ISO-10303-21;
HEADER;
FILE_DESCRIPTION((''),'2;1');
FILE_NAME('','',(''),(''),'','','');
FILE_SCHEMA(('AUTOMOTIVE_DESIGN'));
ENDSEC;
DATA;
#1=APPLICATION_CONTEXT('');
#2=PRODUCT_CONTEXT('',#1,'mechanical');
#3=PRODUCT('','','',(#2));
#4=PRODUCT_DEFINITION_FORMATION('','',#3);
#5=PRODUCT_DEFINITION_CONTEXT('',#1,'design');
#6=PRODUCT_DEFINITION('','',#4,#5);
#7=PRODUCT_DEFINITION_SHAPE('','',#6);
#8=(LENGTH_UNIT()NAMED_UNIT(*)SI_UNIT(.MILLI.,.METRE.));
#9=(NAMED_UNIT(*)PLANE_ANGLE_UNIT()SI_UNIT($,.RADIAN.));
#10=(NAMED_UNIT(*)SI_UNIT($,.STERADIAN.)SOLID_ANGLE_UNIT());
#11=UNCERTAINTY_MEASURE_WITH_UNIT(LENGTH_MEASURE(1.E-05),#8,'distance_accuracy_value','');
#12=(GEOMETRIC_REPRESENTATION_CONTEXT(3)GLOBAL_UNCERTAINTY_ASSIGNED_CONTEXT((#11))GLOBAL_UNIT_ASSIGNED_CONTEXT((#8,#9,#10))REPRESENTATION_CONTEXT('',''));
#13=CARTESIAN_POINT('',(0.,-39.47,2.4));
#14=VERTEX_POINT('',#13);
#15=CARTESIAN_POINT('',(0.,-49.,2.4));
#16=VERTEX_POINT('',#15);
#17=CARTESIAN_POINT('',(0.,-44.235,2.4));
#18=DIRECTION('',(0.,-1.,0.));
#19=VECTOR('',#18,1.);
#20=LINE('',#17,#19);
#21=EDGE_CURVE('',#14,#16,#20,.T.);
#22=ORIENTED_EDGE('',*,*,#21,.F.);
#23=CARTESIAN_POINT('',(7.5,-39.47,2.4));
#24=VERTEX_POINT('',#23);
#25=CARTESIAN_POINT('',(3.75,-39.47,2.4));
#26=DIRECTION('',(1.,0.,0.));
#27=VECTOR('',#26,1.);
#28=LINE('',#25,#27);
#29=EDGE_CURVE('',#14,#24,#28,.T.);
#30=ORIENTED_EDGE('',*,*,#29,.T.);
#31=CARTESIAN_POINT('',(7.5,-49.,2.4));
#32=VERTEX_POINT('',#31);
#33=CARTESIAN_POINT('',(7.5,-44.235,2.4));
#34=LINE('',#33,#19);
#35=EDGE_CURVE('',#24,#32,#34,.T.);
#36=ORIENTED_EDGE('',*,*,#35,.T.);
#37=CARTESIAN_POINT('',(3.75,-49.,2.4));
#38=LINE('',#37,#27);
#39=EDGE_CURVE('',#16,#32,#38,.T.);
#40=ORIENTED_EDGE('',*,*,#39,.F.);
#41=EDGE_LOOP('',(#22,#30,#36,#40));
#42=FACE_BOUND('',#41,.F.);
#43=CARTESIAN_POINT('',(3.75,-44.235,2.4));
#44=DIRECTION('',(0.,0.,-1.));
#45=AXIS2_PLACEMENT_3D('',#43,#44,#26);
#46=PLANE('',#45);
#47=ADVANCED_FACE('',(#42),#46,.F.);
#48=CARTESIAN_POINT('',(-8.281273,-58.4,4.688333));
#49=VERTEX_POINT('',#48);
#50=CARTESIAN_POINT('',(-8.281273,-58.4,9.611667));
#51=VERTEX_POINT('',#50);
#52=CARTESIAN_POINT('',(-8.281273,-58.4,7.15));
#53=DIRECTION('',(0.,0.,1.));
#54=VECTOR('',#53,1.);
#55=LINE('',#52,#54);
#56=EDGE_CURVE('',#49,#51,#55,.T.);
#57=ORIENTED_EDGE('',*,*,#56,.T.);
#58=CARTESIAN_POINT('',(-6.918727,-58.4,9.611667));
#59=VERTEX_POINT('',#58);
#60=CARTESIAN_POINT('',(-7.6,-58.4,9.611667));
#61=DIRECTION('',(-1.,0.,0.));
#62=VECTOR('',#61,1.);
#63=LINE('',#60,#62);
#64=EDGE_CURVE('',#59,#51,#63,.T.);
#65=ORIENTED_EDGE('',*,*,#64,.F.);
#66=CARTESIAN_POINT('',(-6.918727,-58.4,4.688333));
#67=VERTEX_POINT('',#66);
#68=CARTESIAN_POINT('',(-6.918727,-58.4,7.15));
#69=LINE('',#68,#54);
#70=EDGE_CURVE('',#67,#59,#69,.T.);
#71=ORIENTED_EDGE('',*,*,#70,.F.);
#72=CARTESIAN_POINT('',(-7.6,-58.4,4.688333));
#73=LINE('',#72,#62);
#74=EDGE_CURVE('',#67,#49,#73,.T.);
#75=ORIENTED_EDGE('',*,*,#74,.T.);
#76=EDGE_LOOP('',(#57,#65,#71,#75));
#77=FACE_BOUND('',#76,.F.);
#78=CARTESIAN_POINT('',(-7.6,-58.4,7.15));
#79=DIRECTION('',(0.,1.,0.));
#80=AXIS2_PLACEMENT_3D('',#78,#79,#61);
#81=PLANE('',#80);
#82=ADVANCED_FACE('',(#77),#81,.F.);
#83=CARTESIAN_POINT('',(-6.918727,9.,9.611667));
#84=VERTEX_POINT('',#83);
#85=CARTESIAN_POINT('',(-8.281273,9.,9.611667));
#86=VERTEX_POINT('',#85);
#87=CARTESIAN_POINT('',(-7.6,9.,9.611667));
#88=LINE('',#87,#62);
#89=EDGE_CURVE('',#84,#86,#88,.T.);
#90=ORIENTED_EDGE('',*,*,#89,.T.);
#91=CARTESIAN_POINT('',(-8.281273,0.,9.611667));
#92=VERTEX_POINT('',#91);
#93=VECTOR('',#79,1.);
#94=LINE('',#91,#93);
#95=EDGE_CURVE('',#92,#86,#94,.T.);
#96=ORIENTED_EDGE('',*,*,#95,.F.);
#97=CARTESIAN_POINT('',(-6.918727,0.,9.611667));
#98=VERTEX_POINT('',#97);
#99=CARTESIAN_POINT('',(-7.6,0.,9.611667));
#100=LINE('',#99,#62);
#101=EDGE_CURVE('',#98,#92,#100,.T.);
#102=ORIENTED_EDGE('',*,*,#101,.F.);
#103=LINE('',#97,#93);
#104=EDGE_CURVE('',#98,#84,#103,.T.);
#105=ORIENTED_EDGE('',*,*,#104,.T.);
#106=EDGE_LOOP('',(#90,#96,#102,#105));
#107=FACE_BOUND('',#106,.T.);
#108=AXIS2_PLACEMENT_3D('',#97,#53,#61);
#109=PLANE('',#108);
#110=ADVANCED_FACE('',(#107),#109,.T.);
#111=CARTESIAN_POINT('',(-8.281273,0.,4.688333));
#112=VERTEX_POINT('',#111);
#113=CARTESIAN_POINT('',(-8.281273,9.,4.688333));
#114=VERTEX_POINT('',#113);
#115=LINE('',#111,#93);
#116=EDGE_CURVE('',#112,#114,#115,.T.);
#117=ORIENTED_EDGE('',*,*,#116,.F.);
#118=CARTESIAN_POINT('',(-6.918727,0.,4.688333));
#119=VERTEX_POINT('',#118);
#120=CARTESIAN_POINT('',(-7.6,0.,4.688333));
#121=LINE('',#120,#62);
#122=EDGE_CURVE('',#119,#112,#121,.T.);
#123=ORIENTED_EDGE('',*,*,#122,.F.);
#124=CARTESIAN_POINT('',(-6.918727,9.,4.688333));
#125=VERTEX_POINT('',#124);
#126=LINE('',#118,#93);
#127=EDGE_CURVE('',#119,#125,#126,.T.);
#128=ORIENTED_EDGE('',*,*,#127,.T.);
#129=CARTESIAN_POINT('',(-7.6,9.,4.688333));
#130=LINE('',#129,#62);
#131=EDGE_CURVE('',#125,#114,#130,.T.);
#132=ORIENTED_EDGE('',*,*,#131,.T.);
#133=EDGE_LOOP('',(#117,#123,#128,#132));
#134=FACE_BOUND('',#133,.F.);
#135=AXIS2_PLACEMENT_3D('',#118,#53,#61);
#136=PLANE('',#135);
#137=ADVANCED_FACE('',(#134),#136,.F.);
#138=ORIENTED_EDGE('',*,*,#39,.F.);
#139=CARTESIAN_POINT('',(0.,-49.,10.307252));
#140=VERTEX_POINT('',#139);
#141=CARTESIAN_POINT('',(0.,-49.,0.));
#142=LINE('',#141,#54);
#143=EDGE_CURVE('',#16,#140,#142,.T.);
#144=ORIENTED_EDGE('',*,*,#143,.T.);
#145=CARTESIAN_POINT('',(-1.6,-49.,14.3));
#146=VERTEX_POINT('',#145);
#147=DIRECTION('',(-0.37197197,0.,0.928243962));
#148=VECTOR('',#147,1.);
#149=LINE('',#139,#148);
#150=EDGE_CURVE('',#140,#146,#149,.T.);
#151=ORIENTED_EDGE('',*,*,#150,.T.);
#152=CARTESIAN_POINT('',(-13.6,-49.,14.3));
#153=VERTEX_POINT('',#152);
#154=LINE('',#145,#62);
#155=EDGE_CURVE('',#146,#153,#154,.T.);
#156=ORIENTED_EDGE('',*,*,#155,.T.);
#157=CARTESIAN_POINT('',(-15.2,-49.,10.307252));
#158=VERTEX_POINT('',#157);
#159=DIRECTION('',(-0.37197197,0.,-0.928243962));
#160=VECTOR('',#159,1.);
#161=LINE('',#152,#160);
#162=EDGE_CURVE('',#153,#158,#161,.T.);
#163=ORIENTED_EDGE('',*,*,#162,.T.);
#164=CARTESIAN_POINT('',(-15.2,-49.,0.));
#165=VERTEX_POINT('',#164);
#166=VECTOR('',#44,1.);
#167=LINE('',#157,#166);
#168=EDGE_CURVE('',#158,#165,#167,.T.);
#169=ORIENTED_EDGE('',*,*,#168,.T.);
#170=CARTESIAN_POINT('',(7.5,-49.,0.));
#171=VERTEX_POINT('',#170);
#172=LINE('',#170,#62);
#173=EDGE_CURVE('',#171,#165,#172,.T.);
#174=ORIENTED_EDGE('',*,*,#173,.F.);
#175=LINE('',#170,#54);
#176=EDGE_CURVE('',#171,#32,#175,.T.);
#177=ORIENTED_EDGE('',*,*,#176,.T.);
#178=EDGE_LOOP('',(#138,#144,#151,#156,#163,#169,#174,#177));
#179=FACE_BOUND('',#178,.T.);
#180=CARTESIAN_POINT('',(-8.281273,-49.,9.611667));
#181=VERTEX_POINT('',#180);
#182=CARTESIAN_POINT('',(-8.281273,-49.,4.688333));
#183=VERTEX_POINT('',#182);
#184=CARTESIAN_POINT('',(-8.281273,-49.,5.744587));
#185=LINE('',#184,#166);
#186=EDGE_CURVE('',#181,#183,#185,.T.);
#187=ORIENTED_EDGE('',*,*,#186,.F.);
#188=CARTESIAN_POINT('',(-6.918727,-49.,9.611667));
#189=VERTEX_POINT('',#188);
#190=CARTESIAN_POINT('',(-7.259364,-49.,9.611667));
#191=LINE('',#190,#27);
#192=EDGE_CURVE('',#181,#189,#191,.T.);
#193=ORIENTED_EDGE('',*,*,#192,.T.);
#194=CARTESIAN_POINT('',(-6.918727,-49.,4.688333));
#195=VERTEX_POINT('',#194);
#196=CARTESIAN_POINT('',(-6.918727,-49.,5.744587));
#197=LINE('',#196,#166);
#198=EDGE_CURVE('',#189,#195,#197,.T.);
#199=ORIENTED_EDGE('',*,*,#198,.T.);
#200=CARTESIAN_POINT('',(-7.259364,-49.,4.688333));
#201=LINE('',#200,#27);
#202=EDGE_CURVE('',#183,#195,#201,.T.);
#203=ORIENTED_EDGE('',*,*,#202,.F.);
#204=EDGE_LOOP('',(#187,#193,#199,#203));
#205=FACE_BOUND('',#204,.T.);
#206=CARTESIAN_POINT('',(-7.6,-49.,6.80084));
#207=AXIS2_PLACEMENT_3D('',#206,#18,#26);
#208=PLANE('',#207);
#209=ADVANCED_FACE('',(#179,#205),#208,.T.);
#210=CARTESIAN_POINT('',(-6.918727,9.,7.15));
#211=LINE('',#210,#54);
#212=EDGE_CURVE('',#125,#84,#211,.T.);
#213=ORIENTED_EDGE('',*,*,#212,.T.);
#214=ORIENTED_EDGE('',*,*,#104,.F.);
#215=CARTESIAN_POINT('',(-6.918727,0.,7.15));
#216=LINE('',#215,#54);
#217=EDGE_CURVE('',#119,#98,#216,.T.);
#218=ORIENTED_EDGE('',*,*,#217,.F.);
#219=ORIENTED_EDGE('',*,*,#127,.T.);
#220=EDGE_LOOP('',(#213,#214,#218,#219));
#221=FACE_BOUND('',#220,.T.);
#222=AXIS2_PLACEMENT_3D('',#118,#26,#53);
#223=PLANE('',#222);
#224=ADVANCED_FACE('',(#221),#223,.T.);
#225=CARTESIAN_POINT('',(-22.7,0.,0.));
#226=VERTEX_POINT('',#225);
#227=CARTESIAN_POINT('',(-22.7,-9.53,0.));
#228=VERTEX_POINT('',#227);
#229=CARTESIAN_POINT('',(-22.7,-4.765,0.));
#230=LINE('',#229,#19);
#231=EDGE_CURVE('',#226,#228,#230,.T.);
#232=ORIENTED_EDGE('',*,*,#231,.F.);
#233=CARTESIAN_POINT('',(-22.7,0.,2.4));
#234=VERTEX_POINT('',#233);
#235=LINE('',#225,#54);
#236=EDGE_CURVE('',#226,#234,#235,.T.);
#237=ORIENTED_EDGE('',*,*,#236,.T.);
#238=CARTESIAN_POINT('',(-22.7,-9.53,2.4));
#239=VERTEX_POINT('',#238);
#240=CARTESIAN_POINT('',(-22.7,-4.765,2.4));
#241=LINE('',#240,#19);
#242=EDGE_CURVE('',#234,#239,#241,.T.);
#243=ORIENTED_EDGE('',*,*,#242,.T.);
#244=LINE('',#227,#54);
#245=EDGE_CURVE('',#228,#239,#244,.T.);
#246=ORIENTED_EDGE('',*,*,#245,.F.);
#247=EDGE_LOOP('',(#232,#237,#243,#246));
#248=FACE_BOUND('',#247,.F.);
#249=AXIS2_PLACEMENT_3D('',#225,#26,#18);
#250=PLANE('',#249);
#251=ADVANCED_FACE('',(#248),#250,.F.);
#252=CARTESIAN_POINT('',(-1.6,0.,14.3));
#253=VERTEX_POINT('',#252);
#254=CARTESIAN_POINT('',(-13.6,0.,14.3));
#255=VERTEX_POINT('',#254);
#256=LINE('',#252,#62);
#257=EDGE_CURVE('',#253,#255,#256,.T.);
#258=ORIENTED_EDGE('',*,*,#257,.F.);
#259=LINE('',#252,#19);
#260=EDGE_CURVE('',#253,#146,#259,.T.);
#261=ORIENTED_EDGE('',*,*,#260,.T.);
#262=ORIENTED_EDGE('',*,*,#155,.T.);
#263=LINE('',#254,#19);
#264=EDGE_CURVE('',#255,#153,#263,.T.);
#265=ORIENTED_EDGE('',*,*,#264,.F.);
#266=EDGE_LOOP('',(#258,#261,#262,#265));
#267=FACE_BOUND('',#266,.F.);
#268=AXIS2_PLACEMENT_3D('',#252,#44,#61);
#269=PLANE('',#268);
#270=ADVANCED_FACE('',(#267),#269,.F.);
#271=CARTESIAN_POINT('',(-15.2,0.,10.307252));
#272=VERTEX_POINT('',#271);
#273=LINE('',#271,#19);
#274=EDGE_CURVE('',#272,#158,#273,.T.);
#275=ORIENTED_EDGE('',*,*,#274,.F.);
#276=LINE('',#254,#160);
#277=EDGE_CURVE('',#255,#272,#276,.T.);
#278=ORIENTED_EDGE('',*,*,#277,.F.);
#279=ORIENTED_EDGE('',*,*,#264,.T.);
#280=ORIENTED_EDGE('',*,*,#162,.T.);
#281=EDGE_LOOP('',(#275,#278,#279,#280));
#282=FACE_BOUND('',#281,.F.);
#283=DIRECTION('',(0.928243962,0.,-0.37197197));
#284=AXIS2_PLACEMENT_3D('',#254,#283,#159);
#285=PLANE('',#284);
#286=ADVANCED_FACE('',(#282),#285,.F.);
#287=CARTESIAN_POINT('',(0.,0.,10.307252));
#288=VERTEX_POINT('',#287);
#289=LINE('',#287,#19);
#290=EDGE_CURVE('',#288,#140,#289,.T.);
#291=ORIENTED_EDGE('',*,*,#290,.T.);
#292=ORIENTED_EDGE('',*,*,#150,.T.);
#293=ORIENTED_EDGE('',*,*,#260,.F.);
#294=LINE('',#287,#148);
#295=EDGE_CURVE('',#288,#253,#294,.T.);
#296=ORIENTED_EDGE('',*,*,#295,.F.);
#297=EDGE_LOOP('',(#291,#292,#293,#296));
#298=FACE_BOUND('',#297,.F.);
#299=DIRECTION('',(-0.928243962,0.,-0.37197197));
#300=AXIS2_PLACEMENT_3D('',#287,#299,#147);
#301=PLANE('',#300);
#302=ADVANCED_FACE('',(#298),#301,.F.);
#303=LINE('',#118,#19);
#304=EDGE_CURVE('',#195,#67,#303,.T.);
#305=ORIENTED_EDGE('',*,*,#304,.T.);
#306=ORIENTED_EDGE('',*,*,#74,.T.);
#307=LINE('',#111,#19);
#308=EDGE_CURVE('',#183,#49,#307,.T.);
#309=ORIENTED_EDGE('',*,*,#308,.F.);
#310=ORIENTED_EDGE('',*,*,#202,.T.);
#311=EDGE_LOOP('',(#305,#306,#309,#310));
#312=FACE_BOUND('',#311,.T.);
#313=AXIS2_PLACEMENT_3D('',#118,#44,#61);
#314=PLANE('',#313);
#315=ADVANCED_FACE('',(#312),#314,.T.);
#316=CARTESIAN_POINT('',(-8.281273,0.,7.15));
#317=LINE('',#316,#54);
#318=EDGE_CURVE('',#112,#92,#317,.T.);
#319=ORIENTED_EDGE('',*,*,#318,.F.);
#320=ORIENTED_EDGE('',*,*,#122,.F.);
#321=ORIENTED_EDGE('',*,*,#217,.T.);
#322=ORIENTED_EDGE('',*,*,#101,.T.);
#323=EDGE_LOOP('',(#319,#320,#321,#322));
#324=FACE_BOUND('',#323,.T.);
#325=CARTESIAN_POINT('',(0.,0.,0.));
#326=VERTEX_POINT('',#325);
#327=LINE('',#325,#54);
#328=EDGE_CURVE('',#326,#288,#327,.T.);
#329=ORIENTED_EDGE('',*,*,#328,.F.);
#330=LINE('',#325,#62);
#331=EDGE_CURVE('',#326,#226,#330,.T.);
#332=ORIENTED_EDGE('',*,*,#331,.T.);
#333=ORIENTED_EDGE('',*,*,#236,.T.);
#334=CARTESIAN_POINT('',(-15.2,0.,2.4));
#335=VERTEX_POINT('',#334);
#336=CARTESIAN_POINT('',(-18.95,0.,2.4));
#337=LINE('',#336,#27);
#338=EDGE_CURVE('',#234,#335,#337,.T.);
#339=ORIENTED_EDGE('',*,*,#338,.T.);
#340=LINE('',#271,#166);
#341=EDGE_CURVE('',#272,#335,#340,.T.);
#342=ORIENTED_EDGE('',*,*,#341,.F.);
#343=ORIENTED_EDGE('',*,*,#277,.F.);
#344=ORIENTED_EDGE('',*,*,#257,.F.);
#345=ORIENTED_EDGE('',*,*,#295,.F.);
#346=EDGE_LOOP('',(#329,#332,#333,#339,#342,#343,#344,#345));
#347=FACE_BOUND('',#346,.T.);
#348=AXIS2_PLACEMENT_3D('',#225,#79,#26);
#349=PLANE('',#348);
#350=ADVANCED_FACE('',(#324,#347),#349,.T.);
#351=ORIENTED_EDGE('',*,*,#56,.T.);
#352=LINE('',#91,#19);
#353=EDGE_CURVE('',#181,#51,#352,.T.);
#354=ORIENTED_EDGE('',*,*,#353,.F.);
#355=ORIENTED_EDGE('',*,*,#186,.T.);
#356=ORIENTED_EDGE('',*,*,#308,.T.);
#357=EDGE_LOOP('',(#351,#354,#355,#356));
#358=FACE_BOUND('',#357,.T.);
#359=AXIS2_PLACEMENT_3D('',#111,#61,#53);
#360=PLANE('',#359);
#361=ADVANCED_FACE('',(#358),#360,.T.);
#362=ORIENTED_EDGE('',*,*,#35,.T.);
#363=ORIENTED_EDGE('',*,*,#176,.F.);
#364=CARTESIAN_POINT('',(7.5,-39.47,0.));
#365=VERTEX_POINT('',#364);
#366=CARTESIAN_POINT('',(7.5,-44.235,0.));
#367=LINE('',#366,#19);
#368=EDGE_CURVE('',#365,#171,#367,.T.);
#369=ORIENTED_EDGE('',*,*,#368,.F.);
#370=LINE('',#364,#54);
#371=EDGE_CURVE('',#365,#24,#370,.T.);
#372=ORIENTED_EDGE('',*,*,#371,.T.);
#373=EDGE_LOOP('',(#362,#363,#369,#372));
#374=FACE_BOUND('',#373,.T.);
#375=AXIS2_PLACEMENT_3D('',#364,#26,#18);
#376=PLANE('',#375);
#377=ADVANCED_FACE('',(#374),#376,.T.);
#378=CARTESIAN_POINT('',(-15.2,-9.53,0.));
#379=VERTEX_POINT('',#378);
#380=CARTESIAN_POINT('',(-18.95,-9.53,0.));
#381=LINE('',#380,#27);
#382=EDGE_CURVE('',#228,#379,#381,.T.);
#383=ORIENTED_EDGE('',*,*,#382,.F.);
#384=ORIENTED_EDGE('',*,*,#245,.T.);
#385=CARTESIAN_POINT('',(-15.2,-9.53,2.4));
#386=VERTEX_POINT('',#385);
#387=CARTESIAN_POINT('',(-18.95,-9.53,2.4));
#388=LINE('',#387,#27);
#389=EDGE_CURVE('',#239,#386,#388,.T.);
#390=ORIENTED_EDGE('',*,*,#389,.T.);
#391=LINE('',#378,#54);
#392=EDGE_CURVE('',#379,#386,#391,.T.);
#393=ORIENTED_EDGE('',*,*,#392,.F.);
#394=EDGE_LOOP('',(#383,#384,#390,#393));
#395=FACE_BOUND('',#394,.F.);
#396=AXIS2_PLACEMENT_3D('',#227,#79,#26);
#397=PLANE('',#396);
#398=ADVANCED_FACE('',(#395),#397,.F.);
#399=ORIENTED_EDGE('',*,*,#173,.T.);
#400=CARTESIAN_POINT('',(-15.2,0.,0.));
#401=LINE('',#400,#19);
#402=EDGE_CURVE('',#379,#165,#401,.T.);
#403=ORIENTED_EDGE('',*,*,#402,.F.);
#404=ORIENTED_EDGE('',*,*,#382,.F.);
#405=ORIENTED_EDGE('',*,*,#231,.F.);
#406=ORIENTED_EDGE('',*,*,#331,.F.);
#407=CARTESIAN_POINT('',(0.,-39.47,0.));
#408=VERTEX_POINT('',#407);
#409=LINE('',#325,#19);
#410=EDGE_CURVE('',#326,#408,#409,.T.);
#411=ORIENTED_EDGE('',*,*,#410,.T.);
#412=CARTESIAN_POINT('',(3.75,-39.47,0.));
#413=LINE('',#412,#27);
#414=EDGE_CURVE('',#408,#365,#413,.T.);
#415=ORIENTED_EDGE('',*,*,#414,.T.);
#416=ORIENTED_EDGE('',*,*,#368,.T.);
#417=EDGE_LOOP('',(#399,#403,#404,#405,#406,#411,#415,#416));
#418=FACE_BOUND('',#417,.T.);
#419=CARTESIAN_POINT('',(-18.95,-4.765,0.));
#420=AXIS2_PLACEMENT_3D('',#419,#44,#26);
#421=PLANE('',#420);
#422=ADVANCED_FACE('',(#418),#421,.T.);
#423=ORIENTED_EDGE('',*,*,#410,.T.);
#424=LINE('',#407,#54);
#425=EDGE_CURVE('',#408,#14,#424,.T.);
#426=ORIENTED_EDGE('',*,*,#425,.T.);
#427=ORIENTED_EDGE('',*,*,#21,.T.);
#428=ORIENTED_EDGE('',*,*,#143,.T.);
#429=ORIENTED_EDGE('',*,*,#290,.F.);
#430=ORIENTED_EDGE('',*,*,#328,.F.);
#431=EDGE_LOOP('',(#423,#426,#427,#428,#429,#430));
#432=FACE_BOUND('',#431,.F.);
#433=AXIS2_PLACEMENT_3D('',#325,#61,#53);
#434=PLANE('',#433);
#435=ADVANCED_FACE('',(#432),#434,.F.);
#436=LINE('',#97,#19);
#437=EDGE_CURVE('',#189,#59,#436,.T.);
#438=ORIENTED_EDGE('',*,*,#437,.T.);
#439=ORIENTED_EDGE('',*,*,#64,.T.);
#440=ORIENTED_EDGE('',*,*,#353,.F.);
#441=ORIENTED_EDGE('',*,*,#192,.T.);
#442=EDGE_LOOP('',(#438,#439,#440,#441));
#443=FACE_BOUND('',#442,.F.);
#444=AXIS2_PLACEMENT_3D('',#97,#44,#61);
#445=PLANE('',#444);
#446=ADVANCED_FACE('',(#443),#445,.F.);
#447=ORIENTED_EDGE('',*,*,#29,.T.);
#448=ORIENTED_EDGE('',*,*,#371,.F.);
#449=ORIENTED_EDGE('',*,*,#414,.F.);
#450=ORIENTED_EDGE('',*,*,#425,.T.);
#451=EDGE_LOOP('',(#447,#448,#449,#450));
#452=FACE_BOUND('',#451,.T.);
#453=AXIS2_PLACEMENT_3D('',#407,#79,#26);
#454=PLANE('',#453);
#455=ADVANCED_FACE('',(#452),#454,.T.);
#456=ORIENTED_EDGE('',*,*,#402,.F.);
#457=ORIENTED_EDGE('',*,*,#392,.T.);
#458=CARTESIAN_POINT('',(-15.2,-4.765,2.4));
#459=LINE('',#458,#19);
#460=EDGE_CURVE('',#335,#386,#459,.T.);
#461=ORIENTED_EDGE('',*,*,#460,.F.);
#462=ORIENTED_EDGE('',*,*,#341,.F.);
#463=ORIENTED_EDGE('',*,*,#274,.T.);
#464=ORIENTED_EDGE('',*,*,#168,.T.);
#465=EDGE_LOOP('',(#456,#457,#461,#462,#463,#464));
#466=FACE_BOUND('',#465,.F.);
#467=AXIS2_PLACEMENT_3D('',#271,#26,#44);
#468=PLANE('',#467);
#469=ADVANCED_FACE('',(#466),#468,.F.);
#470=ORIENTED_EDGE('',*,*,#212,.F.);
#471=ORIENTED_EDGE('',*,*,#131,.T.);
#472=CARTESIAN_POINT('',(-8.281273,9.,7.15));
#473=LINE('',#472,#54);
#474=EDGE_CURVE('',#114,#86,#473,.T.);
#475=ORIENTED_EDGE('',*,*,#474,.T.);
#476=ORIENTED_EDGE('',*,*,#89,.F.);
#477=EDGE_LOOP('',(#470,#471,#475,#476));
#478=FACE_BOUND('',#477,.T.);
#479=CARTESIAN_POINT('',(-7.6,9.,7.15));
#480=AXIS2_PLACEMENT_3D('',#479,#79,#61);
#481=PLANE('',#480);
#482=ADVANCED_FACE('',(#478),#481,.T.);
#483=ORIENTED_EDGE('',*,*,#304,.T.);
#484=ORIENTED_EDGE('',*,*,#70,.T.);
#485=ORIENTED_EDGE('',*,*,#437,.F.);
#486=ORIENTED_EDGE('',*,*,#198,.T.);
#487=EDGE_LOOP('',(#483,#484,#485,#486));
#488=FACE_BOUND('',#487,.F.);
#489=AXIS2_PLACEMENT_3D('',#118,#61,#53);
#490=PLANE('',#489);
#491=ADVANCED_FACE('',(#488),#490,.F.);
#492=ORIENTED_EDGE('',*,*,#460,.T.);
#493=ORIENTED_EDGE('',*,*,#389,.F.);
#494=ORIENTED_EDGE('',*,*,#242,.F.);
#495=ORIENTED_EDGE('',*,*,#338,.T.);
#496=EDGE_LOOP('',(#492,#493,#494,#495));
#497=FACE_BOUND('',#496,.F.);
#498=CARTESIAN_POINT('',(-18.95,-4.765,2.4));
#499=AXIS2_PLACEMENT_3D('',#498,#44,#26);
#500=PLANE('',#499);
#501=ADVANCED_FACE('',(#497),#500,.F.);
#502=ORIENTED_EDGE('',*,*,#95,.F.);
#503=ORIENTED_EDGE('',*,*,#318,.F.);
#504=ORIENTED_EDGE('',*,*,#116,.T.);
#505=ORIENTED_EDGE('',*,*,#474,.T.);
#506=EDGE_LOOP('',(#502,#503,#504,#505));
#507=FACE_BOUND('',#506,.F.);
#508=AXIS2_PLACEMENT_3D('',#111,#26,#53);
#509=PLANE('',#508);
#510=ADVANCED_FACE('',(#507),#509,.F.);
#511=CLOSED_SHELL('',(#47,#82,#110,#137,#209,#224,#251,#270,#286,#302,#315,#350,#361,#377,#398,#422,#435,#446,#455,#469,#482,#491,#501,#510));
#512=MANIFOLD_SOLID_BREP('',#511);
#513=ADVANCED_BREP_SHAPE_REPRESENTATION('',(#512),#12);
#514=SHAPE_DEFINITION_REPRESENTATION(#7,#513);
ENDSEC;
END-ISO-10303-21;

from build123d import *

# Parameters (mm, degrees)
F1_DEPTH      = 49
F2_W          = 7.5
F2_H          = 9.53
F3_DEPTH      = 2.4
F4_W          = 1.362546
F4_H          = 4.923334
F5_DEPTH      = 9
F5_DEPTH_BACK = 58.4


with BuildPart() as f1:
    # F0 (on Front) → F1 (new body)
    with BuildSketch(Plane.XZ):
        Polygon((-15.2, 0), (0, 0), (0, 2.41), (0, 10.307252), (-1.6, 14.3), (-13.6, 14.3), (-15.2, 10.307252), (-15.2, 2.41), align=None)
    extrude(amount=F1_DEPTH)

    # F2 (on face) → F3 (join)
    with BuildSketch(Plane(origin=(0, 0, 0), x_dir=(1, 0, 0), z_dir=(0, 0, -1))):
        with Locations((-18.95, 4.765)):
            Rectangle(F2_W, F2_H)
        with Locations((3.75, 44.235)):
            Rectangle(F2_W, F2_H)
    extrude(amount=-F3_DEPTH)

    # F4 (on face) → F5 (join, two sides)
    with BuildSketch(Plane(origin=(0, 0, 0), x_dir=(-1, 0, 0), z_dir=(0, 1, 0))) as f5_sk:
        with Locations((7.6, 7.15)):
            Rectangle(F4_W, F4_H)
    extrude(amount=F5_DEPTH)
    extrude(f5_sk.sketch, amount=-F5_DEPTH_BACK)


solid = f1.part
